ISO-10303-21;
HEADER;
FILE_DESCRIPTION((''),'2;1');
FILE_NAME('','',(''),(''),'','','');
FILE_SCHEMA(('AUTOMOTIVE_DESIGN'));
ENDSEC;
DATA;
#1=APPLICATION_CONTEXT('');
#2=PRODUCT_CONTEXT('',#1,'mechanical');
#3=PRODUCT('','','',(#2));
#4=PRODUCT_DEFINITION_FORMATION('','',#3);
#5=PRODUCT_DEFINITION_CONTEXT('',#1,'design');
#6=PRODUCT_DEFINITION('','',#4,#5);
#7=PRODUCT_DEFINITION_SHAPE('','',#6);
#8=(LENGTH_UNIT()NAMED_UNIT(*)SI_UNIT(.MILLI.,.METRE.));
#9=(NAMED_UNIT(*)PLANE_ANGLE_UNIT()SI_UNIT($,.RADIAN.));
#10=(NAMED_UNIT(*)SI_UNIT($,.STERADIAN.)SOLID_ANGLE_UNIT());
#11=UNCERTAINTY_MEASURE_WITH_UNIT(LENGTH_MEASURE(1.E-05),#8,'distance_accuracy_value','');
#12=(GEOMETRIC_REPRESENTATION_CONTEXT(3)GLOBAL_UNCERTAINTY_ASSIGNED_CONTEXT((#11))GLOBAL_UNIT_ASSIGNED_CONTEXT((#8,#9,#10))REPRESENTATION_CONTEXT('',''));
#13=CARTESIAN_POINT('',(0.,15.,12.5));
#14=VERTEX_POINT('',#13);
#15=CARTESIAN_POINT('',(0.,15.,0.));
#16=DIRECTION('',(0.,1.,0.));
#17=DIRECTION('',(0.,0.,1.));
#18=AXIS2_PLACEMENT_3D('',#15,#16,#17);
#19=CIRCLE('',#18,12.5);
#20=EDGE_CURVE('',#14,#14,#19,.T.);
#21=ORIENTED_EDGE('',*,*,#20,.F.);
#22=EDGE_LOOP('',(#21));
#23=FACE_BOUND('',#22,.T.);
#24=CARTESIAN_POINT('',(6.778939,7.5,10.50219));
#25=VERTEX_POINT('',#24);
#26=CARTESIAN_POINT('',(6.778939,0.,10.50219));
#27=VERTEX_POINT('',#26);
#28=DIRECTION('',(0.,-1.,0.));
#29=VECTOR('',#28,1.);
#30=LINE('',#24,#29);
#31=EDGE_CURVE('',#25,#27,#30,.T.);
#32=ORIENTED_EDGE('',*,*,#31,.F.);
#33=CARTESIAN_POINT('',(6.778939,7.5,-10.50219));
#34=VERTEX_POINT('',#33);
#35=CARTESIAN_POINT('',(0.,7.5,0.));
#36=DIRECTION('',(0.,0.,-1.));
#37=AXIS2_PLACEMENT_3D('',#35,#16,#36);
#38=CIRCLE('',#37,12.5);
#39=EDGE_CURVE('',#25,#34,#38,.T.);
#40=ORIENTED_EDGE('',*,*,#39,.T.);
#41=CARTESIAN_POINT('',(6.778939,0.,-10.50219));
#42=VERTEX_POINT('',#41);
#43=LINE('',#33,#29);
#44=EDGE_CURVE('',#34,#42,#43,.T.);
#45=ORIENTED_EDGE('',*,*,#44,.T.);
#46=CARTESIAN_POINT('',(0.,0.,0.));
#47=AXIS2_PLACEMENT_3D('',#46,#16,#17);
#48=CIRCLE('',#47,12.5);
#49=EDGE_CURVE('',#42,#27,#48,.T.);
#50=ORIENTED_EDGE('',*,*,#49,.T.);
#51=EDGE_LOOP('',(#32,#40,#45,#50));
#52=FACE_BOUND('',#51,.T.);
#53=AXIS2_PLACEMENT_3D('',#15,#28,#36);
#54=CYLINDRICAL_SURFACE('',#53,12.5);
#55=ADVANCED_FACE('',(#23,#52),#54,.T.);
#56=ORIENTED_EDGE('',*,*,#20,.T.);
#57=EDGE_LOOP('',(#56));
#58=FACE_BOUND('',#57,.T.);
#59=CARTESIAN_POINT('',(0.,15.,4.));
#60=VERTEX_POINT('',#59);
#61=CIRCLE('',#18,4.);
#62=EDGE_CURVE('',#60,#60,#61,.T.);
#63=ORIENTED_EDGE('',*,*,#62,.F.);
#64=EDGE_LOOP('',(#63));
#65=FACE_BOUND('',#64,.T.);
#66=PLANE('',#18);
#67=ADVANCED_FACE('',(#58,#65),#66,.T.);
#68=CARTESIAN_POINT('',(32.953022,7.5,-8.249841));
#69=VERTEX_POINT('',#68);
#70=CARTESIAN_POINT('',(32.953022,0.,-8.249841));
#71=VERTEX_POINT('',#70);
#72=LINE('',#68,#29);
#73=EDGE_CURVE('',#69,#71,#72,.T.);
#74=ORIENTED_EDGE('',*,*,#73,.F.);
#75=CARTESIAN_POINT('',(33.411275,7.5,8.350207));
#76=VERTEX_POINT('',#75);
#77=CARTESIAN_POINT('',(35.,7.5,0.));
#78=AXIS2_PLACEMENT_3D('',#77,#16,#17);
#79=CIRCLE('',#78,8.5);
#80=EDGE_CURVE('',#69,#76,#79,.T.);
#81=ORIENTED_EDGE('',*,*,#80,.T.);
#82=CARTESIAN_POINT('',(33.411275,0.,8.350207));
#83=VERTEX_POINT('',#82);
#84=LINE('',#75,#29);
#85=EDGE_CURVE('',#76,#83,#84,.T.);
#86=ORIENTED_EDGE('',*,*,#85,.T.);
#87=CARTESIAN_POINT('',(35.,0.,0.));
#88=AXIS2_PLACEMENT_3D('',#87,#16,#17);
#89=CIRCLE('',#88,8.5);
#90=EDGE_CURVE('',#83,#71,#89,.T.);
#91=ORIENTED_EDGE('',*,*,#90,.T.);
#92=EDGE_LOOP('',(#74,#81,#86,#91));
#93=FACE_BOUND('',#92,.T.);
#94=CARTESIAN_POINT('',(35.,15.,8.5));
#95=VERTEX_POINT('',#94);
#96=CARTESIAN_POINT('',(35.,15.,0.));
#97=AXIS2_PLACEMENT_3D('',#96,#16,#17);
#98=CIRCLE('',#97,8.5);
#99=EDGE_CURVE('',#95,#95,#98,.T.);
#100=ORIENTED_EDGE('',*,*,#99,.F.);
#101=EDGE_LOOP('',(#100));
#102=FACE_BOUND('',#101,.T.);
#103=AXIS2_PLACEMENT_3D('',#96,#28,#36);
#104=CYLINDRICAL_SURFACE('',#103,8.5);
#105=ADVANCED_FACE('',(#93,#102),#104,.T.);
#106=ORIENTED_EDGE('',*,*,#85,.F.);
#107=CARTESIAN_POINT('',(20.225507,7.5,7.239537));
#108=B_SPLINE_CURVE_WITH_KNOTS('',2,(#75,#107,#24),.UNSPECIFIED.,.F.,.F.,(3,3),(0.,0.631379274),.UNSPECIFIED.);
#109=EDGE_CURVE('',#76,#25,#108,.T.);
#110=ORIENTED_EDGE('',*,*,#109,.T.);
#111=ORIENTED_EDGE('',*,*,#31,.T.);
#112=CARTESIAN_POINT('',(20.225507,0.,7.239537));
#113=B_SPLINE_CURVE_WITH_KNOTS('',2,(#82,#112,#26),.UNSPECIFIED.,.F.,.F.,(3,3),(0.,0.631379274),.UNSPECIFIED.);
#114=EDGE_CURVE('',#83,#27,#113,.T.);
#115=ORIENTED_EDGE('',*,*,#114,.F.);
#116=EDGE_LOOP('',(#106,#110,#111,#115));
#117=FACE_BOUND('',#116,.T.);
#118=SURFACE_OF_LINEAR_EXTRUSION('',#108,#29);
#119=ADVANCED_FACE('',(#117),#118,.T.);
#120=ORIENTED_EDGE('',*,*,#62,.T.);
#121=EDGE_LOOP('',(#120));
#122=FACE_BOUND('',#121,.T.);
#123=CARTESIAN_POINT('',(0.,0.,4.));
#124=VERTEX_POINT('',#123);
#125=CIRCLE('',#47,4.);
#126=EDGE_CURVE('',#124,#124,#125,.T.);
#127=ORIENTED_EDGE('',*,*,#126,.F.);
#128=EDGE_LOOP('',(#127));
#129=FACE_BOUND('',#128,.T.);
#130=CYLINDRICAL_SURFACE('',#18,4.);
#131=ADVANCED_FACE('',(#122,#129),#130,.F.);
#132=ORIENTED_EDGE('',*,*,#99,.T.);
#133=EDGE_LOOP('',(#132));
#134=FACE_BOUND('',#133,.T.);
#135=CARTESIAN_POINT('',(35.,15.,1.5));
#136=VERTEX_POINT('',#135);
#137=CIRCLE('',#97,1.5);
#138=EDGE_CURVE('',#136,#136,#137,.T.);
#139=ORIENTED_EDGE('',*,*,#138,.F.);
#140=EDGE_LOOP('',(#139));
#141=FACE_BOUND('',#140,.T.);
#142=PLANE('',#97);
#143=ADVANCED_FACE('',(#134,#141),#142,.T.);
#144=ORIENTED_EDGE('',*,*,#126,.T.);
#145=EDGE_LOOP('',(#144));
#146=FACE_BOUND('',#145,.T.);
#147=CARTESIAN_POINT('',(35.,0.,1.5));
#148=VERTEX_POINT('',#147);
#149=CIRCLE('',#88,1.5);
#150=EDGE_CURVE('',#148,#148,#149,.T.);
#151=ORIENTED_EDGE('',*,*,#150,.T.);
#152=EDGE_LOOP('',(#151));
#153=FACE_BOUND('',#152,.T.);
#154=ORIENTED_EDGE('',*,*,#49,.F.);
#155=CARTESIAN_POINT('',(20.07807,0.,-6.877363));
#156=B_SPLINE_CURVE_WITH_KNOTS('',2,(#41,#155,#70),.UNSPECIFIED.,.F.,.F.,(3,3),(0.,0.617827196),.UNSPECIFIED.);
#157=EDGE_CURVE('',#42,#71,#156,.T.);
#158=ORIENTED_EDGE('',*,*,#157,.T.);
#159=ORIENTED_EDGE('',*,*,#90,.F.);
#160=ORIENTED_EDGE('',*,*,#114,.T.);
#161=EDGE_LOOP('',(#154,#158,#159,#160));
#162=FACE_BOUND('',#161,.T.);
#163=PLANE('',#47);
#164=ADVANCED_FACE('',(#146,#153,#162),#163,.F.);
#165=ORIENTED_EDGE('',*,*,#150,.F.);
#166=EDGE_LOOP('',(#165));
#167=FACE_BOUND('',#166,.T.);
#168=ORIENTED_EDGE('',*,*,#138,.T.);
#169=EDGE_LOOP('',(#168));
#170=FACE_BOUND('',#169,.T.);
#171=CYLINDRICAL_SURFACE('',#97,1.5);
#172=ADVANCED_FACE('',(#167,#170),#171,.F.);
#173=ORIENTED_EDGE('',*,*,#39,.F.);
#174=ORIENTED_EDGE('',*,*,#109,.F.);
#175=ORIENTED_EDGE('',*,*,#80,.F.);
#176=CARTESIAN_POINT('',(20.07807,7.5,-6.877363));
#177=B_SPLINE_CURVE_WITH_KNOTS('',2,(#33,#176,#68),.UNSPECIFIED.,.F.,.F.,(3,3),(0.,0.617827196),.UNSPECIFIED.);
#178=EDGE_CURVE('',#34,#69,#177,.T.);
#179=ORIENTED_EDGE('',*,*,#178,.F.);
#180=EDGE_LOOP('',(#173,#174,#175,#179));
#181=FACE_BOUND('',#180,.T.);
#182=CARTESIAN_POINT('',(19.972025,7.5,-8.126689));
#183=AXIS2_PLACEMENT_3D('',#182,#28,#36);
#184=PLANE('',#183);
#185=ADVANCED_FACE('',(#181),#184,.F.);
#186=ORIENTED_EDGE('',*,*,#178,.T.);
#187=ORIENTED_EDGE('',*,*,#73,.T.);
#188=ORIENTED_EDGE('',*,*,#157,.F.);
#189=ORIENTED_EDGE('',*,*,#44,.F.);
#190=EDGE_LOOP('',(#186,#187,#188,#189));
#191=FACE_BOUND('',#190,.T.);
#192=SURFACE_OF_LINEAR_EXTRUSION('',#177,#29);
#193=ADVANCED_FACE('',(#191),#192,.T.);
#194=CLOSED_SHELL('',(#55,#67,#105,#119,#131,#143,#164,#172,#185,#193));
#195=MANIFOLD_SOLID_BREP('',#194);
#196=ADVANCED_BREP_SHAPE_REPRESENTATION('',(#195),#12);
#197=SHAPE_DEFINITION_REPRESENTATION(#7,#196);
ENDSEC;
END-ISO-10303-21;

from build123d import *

# Parameters (mm, degrees)
SZKIC1_R                    = 12.5
DODANIE_WYCI_GNI_CIE2_DEPTH = 15
SZKIC3_R                    = 8.5
DODANIE_WYCI_GNI_CIE3_DEPTH = 15
DODANIE_WYCI_GNI_CIE4_DEPTH = 7.5
OTWORY_USTALAJ_CE_8_0MM1_D  = 8
OTWORY_USTALAJ_CE_3_0MM2_D  = 3


with BuildPart() as part:
    # Szkic1 → Dodanie-wyciągnięcie2 (new body)
    with BuildSketch(Plane(origin=(0, 0, 0), x_dir=(1, 0, 0), z_dir=(0, 1, 0))):
        with Locations(Location((0, 0, 0), (0, 0, 270))):
            Circle(SZKIC1_R)
    extrude(amount=DODANIE_WYCI_GNI_CIE2_DEPTH)



with BuildPart() as body_2:
    # Szkic3 → Dodanie-wyciągnięcie3 (new body)
    with BuildSketch(Plane(origin=(0, 0, 0), x_dir=(1, 0, 0), z_dir=(0, 1, 0))):
        with Locations(Location((35, 0, 0), (0, 0, 270))):
            Circle(SZKIC3_R)
    extrude(amount=DODANIE_WYCI_GNI_CIE3_DEPTH)


with BuildPart() as part_1:
    add(part.part)

    add(body_2.part)  # Dodanie-wyciągnięcie4 merges body 2
    # Szkic4 → Dodanie-wyciągnięcie4 (add)
    with BuildSketch(Plane(origin=(0, 0, 0), x_dir=(-1, 0, 0), z_dir=(0, -1, 0))):
        with BuildLine():
            ThreePointArc((-6.778939078, 10.502189533), (-12.5, 0), (-6.778939078, -10.502189533))
            add(Edge.make_bspline(
                [(-6.778939078, -10.502189533), (-20.225507154, -7.239536671), (-33.411274741, -8.350206707)],
                knots=[0, 0, 0, 0.631379274, 0.631379274, 0.631379274], degree=2))
            ThreePointArc((-33.411274741, -8.350206707), (-26.503236916, -0.234557237), (-32.953022418, 8.249841379))
            add(Edge.make_bspline(
                [(-6.778939078, 10.502189533), (-20.078070114, 6.877362512), (-32.953022418, 8.249841379)],
                knots=[0, 0, 0, 0.617827196, 0.617827196, 0.617827196], degree=2))
        make_face()
    extrude(amount=-DODANIE_WYCI_GNI_CIE4_DEPTH)

    # Otwory ustalające Ø8.0mm1 (through all)
    with Locations(Plane(origin=(0, 15, 0), x_dir=(1, 0, 0), z_dir=(0, 1, 0))):
        with Locations((0, 0)):
            Hole(OTWORY_USTALAJ_CE_8_0MM1_D / 2)

    # Otwory ustalające Ø3.0mm2 (through all)
    with Locations(Plane(origin=(0, 15, 0), x_dir=(1, 0, 0), z_dir=(0, 1, 0))):
        with Locations((35, 0)):
            Hole(OTWORY_USTALAJ_CE_3_0MM2_D / 2)


solid = part_1.part
